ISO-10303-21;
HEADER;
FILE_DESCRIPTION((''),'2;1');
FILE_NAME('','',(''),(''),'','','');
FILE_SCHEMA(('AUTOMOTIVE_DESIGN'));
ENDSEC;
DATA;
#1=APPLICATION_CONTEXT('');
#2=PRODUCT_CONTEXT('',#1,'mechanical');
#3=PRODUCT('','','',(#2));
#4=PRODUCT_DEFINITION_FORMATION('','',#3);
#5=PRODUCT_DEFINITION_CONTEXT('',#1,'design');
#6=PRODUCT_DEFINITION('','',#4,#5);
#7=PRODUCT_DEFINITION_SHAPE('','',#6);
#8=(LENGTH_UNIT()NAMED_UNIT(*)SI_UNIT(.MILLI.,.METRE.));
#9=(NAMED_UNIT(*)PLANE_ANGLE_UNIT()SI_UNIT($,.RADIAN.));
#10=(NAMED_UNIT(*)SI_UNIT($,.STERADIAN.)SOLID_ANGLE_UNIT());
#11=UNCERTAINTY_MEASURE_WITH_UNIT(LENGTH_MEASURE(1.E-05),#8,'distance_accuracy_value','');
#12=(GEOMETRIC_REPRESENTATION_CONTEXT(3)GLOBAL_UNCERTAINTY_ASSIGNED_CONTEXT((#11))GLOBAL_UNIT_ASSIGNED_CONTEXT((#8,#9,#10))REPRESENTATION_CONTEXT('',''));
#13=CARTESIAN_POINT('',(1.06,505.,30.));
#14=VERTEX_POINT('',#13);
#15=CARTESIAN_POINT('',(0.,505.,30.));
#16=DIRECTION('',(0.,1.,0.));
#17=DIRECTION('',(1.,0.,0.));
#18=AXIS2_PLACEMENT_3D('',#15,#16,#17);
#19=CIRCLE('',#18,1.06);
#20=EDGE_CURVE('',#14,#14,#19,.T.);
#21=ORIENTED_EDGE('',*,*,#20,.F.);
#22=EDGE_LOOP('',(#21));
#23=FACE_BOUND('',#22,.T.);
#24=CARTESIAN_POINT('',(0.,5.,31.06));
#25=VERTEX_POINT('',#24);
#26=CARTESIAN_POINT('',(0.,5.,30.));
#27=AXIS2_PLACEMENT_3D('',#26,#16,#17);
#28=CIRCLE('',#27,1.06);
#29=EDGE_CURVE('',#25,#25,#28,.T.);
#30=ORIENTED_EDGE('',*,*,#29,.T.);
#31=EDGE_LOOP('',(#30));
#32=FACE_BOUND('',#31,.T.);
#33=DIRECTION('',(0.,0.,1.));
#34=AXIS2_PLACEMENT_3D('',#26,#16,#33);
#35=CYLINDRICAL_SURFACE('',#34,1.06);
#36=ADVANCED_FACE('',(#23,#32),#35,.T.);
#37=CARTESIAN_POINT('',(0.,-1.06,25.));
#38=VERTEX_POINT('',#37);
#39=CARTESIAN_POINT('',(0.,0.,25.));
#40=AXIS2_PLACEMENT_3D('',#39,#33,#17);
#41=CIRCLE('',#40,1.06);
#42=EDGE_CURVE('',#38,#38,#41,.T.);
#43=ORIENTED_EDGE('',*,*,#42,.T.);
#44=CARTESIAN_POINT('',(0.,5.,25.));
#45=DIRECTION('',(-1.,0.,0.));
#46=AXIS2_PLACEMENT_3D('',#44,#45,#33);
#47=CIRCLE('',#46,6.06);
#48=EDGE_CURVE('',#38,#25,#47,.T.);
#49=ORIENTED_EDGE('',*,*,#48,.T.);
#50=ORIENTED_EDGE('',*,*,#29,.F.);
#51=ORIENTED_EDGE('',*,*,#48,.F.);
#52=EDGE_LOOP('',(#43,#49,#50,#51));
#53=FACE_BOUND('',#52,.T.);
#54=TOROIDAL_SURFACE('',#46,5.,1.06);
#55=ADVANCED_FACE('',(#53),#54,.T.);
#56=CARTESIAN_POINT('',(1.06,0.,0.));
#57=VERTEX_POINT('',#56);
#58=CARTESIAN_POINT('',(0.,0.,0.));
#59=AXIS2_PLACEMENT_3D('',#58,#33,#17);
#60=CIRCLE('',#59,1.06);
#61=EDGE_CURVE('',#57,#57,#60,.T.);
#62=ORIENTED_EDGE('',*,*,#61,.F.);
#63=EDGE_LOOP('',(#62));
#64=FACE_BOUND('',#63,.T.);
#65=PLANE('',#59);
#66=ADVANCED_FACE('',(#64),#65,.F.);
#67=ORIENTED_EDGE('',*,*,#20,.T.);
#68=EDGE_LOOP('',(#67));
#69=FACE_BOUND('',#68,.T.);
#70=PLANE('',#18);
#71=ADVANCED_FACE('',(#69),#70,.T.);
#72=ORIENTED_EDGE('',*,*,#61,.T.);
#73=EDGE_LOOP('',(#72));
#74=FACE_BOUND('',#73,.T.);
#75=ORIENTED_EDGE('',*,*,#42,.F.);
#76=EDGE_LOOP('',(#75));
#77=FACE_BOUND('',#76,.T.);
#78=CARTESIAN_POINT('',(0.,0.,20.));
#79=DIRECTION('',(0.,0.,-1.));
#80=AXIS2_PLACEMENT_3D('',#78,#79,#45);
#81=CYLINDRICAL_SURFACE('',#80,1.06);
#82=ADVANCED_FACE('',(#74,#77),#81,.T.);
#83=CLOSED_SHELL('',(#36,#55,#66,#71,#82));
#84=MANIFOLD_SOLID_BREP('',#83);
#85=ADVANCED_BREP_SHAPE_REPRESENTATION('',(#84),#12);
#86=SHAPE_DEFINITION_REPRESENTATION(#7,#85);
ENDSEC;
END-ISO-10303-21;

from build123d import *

# Parameters (mm, degrees)
SKETCH_1_R      = 1.06
EXTRUDE_1_DEPTH = 20
SKETCH_2_R      = 1.06


with BuildPart() as part:
    # ｽｹｯﾁ1 → ﾎﾞｽ - 押し出し1 (new body)
    with BuildSketch(Plane.XY):
        Circle(SKETCH_1_R)
    extrude(amount=EXTRUDE_1_DEPTH)

    # ｽｲｰﾌﾟ1: sweep along a path in ｽｹｯﾁ3
    with BuildLine(Plane(origin=(0, 0, 0), x_dir=(0, 0, -1), z_dir=(1, 0, 0))) as sweep_1_path:
        Line((-20, 0), (-25, 0))
        ThreePointArc((-25, 0), (-28.535533906, 1.464466094), (-30, 5))
        Line((-30, 5), (-30, 505))
    # ｽｹｯﾁ2 → ｽｲｰﾌﾟ1 (sweep)
    with BuildSketch(Plane.XY.offset(20)):
        Circle(SKETCH_2_R)
    sweep(path=sweep_1_path.line)


solid = part.part
